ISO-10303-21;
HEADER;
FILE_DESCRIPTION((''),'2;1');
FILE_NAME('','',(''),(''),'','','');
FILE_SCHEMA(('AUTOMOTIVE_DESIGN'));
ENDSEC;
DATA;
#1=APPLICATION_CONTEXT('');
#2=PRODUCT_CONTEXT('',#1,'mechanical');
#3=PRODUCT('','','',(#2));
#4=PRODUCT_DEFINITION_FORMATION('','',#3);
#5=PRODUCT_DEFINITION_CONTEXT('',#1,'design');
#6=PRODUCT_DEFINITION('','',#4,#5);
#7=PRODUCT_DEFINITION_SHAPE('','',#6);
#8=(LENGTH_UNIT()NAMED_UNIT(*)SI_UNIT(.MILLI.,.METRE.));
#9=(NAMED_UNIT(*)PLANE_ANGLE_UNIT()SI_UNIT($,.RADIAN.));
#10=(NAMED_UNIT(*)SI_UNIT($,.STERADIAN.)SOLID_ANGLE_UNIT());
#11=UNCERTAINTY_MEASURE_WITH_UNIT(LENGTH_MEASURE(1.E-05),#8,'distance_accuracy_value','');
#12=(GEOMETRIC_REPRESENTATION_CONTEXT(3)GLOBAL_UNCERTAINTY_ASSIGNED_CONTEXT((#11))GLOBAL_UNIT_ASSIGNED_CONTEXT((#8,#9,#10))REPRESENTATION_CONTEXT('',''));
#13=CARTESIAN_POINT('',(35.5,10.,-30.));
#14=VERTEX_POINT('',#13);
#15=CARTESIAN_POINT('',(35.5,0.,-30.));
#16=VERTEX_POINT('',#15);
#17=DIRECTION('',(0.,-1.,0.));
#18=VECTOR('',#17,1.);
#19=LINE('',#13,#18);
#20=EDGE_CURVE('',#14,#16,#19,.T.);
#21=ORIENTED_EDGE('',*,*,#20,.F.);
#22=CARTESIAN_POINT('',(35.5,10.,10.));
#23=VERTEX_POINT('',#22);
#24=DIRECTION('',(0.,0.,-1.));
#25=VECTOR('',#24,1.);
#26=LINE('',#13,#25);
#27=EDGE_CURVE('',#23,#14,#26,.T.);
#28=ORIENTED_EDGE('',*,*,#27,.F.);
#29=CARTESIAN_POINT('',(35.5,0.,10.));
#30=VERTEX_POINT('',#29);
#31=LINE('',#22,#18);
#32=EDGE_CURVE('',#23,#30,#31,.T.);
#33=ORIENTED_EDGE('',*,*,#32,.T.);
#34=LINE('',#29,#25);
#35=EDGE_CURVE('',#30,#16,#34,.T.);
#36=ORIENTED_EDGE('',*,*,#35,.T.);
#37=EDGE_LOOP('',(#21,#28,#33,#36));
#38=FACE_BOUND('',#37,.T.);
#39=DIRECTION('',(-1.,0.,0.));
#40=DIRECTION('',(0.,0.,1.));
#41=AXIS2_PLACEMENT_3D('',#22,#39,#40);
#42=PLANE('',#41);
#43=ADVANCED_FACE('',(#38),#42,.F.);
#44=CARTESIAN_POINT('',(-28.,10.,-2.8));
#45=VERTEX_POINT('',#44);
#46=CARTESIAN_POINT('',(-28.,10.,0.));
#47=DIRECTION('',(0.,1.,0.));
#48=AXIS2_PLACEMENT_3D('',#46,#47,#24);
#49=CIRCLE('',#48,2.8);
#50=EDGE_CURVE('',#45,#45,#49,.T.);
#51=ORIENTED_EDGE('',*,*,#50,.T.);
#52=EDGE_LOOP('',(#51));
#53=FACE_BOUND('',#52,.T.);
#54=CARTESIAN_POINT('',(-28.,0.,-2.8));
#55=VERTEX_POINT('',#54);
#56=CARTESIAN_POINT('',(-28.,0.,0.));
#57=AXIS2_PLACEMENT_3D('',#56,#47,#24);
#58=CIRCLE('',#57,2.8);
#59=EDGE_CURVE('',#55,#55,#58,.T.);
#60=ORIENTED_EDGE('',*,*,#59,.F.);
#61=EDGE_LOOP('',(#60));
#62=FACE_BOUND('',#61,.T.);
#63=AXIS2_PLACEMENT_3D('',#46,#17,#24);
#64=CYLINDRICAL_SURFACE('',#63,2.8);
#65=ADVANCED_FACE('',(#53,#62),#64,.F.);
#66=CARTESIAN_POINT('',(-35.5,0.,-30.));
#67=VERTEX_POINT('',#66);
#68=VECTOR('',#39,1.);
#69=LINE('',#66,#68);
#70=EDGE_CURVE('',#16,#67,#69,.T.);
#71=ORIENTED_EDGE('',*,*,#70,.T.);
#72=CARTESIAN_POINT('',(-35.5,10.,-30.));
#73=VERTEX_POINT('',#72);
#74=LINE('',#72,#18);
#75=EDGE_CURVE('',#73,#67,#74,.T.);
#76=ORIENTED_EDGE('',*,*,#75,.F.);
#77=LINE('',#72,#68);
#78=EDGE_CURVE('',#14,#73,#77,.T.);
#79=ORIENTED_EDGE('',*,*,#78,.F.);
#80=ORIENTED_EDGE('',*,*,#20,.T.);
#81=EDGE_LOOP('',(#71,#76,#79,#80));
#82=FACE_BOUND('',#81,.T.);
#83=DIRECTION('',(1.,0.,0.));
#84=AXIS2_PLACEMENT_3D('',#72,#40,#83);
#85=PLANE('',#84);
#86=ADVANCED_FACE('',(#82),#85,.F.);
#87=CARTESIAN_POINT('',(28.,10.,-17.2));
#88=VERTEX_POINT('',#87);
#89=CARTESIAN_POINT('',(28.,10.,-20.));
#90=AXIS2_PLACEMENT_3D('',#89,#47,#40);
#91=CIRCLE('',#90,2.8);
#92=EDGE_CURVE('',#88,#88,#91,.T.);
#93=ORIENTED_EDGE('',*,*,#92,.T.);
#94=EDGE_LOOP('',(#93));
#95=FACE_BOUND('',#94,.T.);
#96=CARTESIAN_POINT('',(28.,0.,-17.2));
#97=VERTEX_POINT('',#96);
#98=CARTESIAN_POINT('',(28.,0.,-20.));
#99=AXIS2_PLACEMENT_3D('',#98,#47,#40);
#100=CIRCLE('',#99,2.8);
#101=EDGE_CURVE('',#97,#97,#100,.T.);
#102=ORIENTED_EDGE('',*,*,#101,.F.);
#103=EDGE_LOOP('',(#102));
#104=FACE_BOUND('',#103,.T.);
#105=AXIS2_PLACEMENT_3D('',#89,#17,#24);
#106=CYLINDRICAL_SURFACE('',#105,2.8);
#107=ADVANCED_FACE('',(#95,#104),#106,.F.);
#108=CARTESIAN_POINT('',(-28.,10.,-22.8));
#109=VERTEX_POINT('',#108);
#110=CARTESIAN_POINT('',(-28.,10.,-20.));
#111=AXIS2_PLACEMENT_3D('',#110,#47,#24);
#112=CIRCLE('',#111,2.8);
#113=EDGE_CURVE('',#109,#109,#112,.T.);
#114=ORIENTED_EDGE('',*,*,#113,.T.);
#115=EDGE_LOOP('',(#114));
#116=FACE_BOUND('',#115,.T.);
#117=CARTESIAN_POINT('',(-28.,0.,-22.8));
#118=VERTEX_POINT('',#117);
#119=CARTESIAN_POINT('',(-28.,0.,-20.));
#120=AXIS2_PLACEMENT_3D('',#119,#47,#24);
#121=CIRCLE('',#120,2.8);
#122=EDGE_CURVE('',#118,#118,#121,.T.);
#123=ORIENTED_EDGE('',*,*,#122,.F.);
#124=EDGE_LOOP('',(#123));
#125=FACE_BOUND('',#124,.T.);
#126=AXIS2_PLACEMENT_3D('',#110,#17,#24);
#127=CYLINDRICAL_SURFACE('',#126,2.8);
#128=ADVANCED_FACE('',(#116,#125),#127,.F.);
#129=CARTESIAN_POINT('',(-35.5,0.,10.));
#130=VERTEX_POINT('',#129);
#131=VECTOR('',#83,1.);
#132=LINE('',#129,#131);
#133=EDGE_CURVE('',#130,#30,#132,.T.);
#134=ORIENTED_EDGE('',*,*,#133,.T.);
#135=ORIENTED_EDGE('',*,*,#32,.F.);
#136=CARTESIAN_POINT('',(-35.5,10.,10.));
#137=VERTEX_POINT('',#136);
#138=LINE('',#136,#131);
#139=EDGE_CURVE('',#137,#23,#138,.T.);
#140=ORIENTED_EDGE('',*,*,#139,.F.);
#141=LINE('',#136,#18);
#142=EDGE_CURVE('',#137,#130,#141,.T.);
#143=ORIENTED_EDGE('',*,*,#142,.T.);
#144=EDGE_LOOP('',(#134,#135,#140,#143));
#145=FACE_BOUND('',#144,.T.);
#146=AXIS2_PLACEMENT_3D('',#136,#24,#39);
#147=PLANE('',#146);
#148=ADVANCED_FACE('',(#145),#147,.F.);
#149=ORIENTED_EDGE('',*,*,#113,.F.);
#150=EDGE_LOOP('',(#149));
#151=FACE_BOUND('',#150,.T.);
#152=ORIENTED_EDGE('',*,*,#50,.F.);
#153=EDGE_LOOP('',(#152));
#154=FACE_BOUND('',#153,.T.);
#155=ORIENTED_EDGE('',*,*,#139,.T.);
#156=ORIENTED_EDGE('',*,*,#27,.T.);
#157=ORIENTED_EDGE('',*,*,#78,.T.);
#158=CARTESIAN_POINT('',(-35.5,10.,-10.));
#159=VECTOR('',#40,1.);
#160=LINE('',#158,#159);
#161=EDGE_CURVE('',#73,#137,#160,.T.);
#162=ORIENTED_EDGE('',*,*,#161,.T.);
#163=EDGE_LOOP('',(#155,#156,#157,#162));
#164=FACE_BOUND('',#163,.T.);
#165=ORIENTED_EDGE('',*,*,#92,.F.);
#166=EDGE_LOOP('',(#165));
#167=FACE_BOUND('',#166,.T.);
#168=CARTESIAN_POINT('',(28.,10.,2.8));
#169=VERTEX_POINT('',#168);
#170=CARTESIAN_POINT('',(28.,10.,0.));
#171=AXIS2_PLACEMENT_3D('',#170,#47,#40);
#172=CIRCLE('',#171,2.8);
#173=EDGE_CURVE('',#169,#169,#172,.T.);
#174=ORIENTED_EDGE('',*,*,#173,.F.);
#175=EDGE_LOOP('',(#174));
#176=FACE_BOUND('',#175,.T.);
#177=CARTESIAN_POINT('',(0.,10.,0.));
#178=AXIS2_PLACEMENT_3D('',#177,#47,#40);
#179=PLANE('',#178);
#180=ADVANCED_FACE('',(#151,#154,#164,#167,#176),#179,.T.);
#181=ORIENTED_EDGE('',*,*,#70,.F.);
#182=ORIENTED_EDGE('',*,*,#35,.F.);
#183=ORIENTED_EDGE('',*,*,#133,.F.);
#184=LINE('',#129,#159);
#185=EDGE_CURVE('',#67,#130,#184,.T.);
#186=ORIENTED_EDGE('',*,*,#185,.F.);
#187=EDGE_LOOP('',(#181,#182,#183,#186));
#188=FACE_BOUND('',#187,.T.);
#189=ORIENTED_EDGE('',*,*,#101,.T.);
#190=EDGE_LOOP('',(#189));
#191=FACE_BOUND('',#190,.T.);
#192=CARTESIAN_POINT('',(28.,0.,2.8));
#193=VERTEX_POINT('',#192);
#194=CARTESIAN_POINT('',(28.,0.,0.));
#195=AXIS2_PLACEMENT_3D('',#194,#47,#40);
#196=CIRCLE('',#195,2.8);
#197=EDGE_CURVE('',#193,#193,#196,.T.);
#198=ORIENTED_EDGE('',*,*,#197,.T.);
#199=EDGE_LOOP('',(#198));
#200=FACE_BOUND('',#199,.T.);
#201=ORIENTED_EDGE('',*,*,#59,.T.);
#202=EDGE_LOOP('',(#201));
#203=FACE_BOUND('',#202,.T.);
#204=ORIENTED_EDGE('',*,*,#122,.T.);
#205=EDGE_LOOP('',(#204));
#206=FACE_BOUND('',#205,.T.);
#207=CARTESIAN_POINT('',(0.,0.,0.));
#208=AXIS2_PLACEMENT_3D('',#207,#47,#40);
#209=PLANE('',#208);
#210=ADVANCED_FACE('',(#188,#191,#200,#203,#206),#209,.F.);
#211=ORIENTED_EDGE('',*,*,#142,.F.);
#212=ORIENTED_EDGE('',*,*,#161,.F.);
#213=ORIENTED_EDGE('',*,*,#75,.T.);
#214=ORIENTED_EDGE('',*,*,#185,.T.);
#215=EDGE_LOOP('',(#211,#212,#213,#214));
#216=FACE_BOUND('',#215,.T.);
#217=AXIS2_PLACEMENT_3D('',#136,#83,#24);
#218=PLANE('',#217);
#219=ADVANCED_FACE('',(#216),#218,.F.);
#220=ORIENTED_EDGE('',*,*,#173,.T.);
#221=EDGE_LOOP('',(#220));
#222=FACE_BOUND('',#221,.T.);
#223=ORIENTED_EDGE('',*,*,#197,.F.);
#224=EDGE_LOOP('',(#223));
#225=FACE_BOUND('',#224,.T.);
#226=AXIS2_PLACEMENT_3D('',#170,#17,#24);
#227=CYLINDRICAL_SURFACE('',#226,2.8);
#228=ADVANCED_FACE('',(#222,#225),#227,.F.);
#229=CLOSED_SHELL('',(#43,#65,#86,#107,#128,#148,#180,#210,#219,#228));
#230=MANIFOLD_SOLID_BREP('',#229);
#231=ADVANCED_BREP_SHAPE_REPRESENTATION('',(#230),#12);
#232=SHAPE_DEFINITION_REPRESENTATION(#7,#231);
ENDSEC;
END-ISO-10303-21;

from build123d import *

# Parameters (mm, degrees)
SKETCH1_R           = 2.8
BOSS_EXTRUDE1_DEPTH = 10


with BuildPart() as part:
    # Sketch1 → Boss-Extrude1 (new body)
    with BuildSketch(Plane(origin=(0, 0, 0), x_dir=(1, 0, 0), z_dir=(0, 1, 0))):
        Polygon((-35.5, -10), (-35.5, 10), (-35.5, 30), (35.5, 30), (35.5, 10), (35.5, -10), align=None)
        with Locations(Location((28, 0, 0), (0, 0, 270))):
            Circle(SKETCH1_R, mode=Mode.SUBTRACT)
        with Locations(Location((-28, 0, 0), (0, 0, 90))):
            Circle(SKETCH1_R, mode=Mode.SUBTRACT)
        with Locations(Location((-28, 20, 0), (0, 0, 90))):
            Circle(SKETCH1_R, mode=Mode.SUBTRACT)
        with Locations(Location((28, 20, 0), (0, 0, 270))):
            Circle(SKETCH1_R, mode=Mode.SUBTRACT)
    extrude(amount=BOSS_EXTRUDE1_DEPTH)


solid = part.part
